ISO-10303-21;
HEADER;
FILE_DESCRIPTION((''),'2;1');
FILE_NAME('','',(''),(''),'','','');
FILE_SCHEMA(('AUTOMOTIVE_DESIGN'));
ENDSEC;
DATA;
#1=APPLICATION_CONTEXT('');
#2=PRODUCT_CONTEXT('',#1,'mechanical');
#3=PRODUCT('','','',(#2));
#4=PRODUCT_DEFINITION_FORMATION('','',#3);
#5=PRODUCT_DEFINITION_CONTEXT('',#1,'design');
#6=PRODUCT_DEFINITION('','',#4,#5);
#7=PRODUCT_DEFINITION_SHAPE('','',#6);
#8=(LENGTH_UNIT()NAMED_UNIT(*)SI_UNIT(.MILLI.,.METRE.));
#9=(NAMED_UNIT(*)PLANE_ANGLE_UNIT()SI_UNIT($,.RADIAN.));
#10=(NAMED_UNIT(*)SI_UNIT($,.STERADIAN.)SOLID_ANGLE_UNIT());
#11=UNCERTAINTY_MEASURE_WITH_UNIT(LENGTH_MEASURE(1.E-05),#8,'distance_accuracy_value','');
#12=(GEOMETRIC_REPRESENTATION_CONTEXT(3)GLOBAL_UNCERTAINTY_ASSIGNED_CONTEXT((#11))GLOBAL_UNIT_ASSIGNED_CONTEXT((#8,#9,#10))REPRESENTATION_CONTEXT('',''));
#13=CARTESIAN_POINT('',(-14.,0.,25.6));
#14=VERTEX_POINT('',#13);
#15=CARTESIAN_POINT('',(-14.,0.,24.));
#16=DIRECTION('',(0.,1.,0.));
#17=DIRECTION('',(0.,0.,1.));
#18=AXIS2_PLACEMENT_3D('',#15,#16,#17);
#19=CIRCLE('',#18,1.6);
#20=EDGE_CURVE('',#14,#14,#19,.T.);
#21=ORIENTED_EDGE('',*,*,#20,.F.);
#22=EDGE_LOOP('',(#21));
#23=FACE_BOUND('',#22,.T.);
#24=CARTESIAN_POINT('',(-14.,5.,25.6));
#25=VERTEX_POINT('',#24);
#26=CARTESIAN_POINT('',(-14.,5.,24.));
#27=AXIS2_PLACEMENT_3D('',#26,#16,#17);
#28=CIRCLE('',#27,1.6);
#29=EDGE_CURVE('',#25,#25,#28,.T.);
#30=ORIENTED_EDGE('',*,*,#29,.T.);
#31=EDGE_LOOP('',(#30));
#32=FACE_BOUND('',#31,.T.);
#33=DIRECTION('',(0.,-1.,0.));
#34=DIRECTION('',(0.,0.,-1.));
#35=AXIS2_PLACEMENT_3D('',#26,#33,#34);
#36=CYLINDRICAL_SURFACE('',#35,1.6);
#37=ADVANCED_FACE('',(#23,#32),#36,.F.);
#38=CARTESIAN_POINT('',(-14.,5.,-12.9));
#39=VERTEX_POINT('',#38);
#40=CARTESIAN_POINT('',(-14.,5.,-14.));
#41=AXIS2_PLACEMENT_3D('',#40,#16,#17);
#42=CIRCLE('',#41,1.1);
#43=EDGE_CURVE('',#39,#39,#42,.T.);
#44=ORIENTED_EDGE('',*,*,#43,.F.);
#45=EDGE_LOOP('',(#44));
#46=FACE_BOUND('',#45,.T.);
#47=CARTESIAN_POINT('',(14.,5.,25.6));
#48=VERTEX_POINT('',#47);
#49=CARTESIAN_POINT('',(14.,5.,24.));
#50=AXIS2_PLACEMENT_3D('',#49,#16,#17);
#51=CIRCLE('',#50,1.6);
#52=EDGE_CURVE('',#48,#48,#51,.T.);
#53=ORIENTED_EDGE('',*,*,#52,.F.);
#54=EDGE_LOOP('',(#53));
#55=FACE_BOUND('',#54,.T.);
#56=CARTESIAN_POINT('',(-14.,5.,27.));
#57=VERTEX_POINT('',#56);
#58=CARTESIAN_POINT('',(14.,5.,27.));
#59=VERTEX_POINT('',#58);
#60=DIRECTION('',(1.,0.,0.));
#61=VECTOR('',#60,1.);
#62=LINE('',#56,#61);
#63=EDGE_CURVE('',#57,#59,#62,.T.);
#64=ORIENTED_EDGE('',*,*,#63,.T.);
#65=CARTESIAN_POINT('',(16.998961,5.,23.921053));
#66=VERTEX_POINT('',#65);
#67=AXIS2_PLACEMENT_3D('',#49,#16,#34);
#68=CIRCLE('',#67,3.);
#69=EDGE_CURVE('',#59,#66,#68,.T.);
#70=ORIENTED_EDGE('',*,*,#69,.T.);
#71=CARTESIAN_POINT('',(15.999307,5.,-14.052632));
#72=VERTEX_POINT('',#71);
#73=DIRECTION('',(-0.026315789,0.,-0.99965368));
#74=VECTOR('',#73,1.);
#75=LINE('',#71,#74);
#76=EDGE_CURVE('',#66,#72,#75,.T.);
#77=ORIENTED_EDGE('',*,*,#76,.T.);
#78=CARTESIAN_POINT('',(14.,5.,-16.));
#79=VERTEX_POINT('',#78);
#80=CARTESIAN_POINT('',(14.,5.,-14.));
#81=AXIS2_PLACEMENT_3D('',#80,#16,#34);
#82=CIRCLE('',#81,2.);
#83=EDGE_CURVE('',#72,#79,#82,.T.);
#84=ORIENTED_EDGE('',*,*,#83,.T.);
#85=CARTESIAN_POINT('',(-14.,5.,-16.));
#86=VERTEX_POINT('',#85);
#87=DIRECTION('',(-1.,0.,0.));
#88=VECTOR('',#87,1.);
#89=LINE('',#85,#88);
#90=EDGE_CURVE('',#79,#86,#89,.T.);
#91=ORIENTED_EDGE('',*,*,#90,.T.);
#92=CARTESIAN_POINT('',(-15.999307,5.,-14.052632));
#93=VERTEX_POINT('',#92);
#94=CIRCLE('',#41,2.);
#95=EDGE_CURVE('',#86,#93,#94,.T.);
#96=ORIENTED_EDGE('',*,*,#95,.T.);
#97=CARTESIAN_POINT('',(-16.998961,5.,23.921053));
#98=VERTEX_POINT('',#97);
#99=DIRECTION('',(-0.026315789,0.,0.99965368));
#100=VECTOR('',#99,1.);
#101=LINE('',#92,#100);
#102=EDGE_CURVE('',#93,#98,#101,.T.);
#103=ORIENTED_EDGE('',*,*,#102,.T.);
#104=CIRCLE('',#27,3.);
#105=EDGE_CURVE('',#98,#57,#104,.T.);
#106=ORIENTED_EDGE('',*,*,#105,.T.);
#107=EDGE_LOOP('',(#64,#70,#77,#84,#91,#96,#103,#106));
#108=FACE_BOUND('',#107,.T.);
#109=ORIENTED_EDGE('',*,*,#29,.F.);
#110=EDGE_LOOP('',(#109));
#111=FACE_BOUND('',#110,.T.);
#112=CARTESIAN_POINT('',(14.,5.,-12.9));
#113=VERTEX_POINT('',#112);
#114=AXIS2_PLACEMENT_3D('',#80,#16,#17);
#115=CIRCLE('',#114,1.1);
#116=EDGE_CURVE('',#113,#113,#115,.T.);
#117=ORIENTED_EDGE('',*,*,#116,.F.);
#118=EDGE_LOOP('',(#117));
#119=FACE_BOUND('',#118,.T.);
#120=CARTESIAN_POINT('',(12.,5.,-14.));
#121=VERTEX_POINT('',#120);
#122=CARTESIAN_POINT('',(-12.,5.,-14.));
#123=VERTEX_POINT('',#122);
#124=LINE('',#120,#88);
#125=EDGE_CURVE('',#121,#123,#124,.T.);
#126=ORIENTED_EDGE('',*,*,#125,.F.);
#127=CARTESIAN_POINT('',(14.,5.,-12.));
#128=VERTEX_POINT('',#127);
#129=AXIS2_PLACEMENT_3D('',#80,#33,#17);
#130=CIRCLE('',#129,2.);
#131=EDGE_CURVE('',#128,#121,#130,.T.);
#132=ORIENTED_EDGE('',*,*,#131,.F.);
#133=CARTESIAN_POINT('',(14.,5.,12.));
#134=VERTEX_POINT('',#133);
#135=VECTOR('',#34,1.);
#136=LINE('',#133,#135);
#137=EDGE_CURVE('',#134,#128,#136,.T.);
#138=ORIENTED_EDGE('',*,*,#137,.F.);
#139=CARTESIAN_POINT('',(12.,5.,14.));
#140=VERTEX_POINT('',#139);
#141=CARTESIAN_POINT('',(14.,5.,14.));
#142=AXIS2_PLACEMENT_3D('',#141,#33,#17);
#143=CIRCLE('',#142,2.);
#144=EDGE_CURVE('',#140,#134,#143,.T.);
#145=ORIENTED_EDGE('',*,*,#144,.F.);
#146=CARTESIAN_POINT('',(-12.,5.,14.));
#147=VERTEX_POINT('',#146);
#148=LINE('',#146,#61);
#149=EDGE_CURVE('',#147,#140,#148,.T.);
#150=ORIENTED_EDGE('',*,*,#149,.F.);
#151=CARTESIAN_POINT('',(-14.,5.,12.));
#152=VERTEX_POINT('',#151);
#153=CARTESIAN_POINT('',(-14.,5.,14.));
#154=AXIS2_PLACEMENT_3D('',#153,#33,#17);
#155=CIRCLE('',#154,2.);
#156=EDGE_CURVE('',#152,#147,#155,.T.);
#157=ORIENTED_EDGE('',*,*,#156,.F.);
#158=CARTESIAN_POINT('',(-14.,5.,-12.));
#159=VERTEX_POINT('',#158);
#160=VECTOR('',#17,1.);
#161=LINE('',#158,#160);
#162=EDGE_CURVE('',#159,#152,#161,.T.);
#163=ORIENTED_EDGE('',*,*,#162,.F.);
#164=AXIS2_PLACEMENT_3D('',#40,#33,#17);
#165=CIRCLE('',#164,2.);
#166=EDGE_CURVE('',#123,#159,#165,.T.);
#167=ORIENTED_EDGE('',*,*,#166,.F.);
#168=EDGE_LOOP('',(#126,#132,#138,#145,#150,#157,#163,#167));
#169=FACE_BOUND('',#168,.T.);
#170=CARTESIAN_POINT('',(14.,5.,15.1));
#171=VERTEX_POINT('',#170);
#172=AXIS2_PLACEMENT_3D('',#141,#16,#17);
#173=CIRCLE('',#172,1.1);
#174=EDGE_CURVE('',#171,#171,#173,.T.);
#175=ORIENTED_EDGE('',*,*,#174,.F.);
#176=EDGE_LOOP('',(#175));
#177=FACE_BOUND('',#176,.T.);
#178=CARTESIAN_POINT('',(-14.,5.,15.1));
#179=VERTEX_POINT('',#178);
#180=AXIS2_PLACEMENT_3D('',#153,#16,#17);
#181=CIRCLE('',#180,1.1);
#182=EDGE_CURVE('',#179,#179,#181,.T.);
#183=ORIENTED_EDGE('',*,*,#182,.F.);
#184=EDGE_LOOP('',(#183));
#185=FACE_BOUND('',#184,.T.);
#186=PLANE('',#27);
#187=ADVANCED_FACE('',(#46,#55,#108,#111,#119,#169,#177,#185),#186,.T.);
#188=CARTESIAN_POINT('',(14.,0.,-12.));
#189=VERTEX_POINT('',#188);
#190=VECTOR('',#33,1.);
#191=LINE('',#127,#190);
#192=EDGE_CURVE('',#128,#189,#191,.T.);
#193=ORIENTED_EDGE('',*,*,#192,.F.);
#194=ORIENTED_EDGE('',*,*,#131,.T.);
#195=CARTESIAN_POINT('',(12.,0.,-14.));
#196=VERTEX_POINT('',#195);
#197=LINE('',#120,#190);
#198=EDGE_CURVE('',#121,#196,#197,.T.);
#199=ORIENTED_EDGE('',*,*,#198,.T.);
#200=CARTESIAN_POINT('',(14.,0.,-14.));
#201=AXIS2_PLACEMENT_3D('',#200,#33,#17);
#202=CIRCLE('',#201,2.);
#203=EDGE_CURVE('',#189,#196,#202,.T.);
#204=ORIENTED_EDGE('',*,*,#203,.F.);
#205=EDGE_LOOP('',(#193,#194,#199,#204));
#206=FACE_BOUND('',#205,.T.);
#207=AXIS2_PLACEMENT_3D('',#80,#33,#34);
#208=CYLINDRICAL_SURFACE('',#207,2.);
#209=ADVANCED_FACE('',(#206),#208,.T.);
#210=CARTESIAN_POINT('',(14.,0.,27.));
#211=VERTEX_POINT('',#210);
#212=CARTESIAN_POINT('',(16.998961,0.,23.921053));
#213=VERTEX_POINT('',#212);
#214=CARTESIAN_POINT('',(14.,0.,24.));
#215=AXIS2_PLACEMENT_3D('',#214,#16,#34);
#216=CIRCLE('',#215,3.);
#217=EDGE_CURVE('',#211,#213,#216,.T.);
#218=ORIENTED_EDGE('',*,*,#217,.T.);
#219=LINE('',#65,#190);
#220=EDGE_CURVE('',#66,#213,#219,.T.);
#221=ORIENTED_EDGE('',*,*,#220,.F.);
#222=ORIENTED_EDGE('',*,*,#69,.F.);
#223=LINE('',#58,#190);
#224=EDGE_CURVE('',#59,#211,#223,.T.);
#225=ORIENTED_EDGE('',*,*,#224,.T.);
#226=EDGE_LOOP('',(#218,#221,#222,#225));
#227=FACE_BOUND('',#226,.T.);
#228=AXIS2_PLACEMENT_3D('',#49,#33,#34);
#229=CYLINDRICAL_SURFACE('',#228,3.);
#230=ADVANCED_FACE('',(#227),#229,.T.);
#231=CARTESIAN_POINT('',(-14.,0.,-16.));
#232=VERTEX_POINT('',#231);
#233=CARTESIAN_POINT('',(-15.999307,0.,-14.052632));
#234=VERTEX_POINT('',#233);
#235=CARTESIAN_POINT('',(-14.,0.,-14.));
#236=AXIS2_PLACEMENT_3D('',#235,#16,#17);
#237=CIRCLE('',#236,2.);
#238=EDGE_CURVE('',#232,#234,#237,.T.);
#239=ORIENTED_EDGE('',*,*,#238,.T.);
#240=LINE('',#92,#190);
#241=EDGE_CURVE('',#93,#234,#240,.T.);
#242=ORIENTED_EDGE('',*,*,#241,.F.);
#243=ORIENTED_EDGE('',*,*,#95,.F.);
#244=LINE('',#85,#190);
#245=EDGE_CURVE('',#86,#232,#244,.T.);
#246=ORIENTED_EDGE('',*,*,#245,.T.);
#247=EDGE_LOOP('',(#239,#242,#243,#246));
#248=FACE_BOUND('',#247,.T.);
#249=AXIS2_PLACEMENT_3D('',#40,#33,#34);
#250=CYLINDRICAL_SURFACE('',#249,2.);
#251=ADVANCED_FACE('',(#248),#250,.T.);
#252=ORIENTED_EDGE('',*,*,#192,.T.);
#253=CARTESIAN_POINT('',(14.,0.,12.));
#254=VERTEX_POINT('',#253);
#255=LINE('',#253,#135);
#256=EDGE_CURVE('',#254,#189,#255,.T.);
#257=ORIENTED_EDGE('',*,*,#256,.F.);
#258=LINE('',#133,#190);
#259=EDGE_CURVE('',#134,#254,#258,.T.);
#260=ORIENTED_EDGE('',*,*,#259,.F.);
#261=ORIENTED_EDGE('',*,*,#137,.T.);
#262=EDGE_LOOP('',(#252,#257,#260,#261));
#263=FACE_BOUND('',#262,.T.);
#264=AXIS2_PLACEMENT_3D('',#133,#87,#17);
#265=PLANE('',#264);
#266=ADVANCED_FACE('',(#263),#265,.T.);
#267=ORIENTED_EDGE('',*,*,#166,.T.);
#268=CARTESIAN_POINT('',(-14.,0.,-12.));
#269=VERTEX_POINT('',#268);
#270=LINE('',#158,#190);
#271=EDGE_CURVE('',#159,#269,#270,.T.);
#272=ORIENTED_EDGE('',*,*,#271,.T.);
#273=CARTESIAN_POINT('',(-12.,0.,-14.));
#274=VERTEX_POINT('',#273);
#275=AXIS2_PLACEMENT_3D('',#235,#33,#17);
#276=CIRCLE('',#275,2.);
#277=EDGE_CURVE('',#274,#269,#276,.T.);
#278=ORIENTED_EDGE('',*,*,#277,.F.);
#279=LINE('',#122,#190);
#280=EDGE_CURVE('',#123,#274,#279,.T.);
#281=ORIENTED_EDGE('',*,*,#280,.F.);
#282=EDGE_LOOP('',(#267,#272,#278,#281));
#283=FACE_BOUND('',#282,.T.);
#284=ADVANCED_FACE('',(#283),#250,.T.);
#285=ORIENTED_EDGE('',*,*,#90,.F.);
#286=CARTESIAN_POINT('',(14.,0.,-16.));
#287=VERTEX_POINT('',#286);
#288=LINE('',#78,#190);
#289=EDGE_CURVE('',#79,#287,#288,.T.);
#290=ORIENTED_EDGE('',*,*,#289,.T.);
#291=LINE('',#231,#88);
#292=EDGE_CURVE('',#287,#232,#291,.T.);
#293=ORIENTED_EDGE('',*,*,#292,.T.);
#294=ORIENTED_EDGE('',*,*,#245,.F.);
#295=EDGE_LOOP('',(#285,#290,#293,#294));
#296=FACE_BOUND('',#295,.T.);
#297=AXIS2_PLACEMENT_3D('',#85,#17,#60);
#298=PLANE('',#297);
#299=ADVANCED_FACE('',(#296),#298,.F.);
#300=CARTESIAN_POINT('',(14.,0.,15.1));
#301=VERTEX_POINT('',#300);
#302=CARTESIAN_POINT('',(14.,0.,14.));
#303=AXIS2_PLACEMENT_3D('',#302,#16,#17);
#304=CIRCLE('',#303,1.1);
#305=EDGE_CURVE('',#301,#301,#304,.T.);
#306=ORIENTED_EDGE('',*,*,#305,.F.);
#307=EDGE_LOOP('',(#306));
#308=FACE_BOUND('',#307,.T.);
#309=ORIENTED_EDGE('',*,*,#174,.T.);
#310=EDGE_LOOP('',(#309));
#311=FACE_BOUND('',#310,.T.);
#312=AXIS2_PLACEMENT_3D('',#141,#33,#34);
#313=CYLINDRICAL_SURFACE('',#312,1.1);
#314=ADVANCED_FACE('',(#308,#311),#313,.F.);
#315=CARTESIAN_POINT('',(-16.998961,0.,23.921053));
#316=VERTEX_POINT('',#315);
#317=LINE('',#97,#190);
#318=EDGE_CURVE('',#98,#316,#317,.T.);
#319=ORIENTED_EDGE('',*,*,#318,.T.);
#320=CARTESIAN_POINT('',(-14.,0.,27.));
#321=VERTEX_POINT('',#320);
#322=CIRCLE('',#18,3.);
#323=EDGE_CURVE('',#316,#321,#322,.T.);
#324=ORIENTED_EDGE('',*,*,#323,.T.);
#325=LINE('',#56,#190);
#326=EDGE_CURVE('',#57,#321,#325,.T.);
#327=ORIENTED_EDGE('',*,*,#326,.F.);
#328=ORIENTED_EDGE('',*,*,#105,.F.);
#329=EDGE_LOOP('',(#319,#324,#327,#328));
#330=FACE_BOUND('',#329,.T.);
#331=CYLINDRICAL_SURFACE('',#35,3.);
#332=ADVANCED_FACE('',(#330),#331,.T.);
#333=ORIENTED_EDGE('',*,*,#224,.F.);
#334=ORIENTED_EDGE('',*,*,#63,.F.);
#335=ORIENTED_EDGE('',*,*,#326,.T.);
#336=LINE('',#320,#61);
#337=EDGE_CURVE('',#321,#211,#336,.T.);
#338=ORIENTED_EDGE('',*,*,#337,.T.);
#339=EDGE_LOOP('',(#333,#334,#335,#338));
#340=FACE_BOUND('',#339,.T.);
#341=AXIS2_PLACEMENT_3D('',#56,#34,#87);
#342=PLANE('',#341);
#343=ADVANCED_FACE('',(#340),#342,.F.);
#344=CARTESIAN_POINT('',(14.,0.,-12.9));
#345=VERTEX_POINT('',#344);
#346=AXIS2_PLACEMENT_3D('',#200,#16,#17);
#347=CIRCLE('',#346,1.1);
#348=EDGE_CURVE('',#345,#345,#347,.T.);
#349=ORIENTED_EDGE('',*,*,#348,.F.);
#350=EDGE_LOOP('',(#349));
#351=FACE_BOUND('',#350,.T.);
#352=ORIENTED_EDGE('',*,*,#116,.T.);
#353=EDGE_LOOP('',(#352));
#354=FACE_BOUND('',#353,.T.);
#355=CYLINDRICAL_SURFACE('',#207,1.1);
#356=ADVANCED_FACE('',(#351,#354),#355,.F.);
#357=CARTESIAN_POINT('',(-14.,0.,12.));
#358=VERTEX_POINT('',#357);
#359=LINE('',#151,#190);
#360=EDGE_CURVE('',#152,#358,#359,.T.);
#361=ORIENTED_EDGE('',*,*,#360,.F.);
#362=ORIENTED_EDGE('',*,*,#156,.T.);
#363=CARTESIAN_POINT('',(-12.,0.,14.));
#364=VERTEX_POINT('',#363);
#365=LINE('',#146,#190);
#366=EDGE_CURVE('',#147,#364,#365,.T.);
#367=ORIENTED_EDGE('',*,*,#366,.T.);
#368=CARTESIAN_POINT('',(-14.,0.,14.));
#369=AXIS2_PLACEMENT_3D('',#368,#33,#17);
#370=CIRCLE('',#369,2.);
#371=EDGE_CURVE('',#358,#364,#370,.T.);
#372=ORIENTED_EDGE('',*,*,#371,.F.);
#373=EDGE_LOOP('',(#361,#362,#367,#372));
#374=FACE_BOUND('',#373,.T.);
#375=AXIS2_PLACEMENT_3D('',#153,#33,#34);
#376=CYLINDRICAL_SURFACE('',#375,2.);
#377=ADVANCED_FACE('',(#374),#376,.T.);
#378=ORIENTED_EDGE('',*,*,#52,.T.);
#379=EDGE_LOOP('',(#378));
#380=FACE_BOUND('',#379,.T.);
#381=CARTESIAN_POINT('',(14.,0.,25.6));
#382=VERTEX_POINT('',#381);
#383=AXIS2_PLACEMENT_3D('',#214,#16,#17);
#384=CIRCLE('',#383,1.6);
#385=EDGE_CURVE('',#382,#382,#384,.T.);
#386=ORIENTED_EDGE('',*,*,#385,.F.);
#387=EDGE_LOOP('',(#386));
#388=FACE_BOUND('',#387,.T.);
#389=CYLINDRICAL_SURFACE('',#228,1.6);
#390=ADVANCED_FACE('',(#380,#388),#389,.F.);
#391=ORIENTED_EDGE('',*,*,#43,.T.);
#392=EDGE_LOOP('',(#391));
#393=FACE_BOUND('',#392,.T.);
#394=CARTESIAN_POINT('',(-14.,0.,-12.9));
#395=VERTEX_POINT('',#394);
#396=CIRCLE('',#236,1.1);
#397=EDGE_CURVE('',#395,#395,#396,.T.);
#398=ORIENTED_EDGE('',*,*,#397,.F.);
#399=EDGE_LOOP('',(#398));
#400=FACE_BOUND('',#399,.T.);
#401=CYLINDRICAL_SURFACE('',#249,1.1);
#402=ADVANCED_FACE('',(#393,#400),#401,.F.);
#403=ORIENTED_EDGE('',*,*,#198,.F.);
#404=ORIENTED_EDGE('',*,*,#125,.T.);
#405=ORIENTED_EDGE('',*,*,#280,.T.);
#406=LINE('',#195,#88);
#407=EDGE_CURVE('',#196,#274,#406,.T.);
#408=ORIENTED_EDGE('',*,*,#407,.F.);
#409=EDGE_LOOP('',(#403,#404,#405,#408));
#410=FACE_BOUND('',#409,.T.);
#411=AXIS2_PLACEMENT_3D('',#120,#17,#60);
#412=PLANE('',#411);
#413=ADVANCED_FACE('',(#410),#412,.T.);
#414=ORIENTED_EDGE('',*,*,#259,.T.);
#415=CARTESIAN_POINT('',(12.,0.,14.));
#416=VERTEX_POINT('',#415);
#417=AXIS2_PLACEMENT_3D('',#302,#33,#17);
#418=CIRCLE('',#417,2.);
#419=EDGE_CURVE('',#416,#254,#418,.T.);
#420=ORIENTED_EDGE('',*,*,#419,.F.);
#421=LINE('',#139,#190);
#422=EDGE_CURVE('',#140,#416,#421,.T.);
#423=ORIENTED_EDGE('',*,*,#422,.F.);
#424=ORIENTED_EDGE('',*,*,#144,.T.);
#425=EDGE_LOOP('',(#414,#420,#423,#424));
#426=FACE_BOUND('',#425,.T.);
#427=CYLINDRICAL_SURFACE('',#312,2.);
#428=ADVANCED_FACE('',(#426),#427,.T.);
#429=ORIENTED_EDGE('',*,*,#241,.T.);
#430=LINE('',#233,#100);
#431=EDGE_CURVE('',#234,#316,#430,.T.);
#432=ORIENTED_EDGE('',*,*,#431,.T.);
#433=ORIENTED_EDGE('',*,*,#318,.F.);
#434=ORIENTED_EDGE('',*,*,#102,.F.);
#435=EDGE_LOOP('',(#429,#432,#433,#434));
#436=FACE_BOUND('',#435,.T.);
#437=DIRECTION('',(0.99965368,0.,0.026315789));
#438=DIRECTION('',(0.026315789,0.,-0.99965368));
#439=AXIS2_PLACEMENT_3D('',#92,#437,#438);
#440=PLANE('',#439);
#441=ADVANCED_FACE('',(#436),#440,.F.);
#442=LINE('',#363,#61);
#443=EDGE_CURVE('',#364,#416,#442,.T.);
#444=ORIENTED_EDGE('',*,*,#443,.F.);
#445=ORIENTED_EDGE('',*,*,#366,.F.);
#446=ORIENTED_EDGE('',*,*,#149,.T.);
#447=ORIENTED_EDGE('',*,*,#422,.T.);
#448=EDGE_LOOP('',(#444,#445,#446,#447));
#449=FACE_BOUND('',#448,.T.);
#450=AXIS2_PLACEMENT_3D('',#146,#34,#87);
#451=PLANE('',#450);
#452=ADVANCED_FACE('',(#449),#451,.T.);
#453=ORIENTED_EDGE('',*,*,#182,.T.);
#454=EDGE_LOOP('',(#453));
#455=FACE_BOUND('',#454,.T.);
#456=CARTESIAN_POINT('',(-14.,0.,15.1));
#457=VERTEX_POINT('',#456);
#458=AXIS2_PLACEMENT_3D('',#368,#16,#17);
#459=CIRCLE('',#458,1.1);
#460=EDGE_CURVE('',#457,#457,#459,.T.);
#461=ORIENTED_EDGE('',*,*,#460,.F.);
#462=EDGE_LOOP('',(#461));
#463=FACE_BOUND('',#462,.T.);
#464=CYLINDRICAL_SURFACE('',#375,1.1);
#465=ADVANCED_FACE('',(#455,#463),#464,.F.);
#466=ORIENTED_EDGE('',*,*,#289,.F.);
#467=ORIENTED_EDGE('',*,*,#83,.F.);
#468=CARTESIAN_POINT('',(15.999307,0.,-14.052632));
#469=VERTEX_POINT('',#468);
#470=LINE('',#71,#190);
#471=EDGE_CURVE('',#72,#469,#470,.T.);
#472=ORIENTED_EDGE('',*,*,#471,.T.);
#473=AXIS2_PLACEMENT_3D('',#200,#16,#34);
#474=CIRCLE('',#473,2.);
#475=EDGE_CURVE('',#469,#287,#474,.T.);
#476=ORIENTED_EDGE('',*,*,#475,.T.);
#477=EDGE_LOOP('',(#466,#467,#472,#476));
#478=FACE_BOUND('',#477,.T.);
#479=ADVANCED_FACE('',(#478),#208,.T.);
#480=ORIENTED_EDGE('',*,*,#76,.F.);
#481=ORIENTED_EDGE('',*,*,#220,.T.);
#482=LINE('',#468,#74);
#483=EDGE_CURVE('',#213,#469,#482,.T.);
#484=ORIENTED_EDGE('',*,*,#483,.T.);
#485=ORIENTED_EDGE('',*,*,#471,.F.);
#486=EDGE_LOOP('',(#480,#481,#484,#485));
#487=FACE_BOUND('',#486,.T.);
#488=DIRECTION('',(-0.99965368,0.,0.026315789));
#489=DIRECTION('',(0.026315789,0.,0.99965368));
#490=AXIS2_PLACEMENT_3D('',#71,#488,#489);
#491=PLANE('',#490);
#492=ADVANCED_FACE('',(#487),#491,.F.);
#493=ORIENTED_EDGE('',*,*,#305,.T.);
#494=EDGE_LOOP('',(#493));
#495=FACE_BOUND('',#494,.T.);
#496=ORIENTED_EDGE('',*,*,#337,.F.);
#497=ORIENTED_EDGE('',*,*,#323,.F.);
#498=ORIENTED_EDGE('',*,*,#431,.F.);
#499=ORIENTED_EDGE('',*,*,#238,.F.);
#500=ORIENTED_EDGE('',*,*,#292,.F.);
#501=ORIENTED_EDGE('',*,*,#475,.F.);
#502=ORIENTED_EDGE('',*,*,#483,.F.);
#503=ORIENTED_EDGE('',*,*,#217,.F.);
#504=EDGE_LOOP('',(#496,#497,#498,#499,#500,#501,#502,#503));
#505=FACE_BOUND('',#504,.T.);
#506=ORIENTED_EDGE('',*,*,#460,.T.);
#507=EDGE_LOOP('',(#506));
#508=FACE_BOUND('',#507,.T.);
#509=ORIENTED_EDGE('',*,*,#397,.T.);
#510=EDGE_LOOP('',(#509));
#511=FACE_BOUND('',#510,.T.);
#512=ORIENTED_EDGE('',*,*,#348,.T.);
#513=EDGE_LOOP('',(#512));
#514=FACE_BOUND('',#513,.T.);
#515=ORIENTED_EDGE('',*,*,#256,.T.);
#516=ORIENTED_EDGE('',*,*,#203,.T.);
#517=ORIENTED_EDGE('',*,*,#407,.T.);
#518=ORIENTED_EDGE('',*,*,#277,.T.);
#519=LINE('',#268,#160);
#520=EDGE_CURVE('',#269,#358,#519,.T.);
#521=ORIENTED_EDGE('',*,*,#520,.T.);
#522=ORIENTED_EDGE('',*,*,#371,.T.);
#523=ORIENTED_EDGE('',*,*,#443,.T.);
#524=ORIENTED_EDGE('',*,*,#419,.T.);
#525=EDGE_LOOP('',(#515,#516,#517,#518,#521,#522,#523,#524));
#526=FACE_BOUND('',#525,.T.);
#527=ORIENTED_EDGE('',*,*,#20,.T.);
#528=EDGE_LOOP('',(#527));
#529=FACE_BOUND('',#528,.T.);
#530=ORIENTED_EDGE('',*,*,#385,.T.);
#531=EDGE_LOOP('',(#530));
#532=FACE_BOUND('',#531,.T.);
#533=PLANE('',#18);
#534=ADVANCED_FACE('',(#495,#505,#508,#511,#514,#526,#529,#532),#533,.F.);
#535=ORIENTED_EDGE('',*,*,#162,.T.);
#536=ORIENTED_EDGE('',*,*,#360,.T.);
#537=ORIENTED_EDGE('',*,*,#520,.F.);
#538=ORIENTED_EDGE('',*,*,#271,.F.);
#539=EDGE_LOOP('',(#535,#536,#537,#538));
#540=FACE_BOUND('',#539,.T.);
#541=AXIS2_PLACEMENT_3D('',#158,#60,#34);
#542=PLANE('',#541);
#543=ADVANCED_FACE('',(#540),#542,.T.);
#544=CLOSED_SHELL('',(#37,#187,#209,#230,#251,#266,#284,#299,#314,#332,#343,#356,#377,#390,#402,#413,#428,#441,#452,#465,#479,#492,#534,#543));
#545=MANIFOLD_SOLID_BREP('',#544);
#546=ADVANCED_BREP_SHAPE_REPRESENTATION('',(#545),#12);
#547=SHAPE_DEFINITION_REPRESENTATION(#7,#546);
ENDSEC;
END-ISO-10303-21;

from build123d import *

# Parameters (mm, degrees)
SKETCH_1_R      = 1.1
SKETCH_1_R_2    = 1.6
EXTRUDE_1_DEPTH = 5


with BuildPart() as part:
    # ｽｹｯﾁ1 → ﾎﾞｽ - 押し出し1 (new body)
    with BuildSketch(Plane(origin=(0, 0, 0), x_dir=(1, 0, 0), z_dir=(0, 1, 0))):
        with BuildLine():
            Line((-15.999307359, 14.052631579), (-16.998961039, -23.921052632))
            ThreePointArc((-16.998961039, -23.921052632), (-16.149051198, -26.093222145), (-14, -27))
            Line((-14, -27), (14, -27))
            ThreePointArc((14, -27), (16.149051198, -26.093222145), (16.998961039, -23.921052632))
            Line((16.998961039, -23.921052632), (15.999307359, 14.052631579))
            ThreePointArc((15.999307359, 14.052631579), (15.39548143, 15.432700799), (14, 16))
            Line((14, 16), (-14, 16))
            ThreePointArc((-14, 16), (-15.39548143, 15.432700799), (-15.999307359, 14.052631579))
        make_face()
        with Locations(Location((-14, 14, 0), (0, 0, 270))):
            Circle(SKETCH_1_R, mode=Mode.SUBTRACT)
        with Locations(Location((14, 14, 0), (0, 0, 270))):
            Circle(SKETCH_1_R, mode=Mode.SUBTRACT)
        with Locations(Location((14, -14, 0), (0, 0, 270))):
            Circle(SKETCH_1_R, mode=Mode.SUBTRACT)
        with Locations(Location((-14, -14, 0), (0, 0, 270))):
            Circle(SKETCH_1_R, mode=Mode.SUBTRACT)
        with Locations(Location((-14, -24, 0), (0, 0, 270))):
            Circle(SKETCH_1_R_2, mode=Mode.SUBTRACT)
        with Locations(Location((14, -24, 0), (0, 0, 270))):
            Circle(SKETCH_1_R_2, mode=Mode.SUBTRACT)
        with BuildLine():
            Line((-14, 12), (-14, -12))
            ThreePointArc((-14, -12), (-12.585786438, -12.585786438), (-12, -14))
            Line((-12, -14), (12, -14))
            ThreePointArc((12, -14), (12.585786438, -12.585786438), (14, -12))
            Line((14, -12), (14, 12))
            ThreePointArc((14, 12), (12.585786438, 12.585786438), (12, 14))
            Line((12, 14), (-12, 14))
            ThreePointArc((-12, 14), (-12.585786438, 12.585786438), (-14, 12))
        make_face(mode=Mode.SUBTRACT)
    extrude(amount=EXTRUDE_1_DEPTH)


solid = part.part
